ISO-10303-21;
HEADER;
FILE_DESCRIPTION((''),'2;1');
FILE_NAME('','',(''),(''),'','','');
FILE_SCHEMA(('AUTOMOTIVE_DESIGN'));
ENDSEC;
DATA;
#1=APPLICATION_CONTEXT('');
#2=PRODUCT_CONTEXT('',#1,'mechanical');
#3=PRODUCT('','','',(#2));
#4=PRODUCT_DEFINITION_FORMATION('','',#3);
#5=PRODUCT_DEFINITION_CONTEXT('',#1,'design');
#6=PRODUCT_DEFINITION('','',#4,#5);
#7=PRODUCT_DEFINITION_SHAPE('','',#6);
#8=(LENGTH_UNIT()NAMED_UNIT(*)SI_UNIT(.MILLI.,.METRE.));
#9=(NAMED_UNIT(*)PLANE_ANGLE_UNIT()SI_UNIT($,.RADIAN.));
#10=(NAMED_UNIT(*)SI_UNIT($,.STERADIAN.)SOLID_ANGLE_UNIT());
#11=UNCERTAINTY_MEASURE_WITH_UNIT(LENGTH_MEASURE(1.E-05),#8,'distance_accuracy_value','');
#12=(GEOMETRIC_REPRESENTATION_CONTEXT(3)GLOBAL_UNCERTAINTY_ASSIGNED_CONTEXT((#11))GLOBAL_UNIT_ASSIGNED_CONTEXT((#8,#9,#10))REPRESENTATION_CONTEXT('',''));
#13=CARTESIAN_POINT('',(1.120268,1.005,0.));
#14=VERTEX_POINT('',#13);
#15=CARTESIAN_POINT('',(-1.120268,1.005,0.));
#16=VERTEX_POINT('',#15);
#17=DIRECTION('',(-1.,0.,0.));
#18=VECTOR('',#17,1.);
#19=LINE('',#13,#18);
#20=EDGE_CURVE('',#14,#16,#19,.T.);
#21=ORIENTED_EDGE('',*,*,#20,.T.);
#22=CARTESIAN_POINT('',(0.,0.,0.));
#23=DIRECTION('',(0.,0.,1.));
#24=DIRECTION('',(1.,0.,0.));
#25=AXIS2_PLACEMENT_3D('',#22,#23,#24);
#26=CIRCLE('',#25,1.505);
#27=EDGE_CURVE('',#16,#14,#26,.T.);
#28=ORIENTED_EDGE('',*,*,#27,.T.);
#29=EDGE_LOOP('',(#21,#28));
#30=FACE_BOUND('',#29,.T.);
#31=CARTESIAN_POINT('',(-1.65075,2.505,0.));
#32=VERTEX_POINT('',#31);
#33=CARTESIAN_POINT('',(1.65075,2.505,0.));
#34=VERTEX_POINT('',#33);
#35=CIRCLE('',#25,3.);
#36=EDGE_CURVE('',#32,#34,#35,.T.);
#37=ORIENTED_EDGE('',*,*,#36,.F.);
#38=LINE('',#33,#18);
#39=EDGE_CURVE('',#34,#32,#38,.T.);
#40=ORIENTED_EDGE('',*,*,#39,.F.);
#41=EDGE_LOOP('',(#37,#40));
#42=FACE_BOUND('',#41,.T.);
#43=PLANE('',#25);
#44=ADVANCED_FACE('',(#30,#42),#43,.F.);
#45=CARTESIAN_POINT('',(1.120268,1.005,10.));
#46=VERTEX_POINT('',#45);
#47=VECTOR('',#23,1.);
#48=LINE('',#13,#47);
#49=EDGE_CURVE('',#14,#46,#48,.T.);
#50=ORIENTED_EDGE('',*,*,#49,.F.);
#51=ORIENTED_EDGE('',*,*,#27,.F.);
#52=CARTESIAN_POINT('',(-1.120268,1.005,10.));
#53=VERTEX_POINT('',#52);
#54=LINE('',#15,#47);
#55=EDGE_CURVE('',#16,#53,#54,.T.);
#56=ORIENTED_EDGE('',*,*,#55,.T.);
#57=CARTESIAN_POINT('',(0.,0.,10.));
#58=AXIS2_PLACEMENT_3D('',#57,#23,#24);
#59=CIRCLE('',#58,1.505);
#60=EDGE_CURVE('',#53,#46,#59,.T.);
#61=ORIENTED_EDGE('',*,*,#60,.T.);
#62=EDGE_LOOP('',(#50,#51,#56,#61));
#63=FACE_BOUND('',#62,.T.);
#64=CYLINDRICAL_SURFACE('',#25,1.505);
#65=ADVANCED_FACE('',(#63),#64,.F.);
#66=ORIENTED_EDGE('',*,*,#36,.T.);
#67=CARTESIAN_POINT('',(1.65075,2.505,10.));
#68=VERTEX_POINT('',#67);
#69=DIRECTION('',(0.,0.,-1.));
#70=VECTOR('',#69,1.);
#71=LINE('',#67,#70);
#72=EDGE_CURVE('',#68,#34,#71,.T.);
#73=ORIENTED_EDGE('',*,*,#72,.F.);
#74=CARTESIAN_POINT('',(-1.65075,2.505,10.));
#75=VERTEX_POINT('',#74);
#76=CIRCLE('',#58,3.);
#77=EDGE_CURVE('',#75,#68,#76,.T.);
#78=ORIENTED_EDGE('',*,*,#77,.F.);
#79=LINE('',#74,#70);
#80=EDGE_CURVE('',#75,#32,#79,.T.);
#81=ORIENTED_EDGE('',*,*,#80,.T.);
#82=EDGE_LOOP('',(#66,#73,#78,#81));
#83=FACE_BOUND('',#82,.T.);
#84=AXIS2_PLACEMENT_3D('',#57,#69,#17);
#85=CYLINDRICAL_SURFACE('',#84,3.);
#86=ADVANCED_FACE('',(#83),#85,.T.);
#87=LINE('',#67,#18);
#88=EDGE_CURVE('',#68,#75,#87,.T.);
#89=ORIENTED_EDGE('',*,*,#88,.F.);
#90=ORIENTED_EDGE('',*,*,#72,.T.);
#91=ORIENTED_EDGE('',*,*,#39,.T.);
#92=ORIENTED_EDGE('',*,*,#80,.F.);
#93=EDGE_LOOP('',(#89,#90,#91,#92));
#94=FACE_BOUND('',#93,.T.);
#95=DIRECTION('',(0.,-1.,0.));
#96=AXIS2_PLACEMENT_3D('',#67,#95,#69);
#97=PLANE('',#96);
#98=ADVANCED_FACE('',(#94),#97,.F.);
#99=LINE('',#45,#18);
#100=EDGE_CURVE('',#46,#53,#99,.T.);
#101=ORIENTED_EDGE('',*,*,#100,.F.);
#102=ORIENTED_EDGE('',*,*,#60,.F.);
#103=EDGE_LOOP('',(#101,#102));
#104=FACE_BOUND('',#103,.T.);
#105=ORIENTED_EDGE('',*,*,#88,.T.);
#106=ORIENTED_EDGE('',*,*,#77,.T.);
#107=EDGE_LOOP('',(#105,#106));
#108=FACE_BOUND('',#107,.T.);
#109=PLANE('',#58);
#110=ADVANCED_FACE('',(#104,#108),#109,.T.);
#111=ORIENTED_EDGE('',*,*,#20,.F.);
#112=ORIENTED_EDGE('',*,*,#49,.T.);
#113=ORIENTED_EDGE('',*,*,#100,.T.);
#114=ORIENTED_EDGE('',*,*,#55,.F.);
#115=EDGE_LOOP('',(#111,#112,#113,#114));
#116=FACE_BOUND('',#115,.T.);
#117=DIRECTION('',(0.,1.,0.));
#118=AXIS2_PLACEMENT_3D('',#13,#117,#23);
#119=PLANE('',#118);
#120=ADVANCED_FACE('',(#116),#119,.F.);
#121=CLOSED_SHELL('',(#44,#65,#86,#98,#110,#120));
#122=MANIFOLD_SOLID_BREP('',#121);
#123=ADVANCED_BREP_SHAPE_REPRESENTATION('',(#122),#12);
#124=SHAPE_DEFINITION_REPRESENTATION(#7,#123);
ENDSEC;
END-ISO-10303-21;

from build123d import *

# Parameters (mm, degrees)
SKETCH_1_R          = 3
EXTRUDE_1_DEPTH     = 10
CUT_EXTRUDE_1_DEPTH = 10
CUT_EXTRUDE_2_DEPTH = 10


with BuildPart() as part:
    # 草图1 → 凸台-拉伸1 (new body)
    with BuildSketch(Plane.XY):
        Circle(SKETCH_1_R)
    extrude(amount=EXTRUDE_1_DEPTH)

    # 草图2 → 切除-拉伸1 (cut)
    with BuildSketch(Plane.XY.offset(10)):
        with BuildLine():
            Line((1.120267825, 1.005), (-1.120267825, 1.005))
            ThreePointArc((-1.120267825, 1.005), (0, -1.505), (1.120267825, 1.005))
        make_face()
    extrude(amount=-CUT_EXTRUDE_1_DEPTH, mode=Mode.SUBTRACT)

    # 草图3 → 切除-拉伸2 (cut)
    with BuildSketch(Plane(origin=(0, 0, 0), x_dir=(-1, 0, 0), z_dir=(0, 0, -1))):
        with BuildLine():
            Line((-1.65074983, 2.505), (1.65074983, 2.505))
            ThreePointArc((1.65074983, 2.505), (0, 3), (-1.65074983, 2.505))
        make_face()
    extrude(amount=-CUT_EXTRUDE_2_DEPTH, mode=Mode.SUBTRACT)


solid = part.part
